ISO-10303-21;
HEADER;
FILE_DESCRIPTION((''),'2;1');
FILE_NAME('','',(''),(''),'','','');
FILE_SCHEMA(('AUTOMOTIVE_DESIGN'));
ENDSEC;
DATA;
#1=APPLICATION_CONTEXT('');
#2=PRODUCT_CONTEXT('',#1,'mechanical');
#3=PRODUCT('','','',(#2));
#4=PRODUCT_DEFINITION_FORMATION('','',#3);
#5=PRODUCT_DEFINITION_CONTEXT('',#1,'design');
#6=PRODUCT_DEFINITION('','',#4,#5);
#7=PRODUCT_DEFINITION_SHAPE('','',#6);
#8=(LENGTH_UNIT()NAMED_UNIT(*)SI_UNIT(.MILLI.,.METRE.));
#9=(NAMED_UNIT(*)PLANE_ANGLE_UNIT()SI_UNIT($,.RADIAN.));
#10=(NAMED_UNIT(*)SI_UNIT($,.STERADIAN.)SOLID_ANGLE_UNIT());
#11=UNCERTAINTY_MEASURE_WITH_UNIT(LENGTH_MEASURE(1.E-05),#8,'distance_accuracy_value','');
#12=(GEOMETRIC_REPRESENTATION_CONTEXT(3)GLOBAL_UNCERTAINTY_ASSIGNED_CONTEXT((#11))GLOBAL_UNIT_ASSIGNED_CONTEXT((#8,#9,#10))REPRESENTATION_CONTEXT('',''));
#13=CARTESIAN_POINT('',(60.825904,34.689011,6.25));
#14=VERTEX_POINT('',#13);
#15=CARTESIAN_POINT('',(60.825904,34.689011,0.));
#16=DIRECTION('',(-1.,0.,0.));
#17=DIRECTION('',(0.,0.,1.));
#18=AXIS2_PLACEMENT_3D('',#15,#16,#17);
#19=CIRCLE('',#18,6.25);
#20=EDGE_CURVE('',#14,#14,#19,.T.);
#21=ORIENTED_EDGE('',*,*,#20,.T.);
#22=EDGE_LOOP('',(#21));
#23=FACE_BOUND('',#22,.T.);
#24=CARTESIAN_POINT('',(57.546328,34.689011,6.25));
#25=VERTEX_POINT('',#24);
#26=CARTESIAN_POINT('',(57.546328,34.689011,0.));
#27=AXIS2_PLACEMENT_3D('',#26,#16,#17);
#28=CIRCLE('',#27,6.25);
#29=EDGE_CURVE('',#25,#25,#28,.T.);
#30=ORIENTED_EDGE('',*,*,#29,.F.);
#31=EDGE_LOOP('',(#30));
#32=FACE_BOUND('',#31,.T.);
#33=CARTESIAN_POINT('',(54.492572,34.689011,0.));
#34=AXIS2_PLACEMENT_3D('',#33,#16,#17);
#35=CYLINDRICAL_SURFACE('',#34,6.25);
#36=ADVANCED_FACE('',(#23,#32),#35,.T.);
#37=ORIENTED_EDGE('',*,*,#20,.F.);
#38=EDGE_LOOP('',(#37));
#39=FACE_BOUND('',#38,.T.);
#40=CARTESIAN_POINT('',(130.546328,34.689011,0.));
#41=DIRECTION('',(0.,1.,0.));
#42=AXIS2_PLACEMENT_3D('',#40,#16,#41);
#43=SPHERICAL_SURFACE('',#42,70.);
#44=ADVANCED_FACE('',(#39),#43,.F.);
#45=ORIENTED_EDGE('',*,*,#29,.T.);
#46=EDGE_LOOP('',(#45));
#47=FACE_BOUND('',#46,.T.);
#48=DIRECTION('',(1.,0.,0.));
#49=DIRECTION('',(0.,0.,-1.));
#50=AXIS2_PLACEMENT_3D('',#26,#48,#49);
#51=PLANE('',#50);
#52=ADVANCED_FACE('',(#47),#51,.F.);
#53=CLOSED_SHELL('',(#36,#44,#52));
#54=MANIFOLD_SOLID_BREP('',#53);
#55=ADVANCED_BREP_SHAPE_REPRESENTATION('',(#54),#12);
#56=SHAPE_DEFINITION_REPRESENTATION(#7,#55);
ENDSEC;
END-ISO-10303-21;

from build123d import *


with BuildPart() as part:
    # 草图1 → 旋转1 (revolve)
    with BuildSketch(Plane.XY):
        with BuildLine():
            Line((57.546327767, 34.689010562), (57.546327767, 40.939010562))
            Line((57.546327767, 40.939010562), (60.82590393, 40.939010562))
            ThreePointArc((60.82590393, 40.939010562), (60.616256737, 37.817135512), (60.546327767, 34.689010562))
            Line((60.546327767, 34.689010562), (57.546327767, 34.689010562))
        make_face()
    revolve(axis=Axis((54.492571501, 34.689010562, 0), (1, 0, 0)))


solid = part.part
